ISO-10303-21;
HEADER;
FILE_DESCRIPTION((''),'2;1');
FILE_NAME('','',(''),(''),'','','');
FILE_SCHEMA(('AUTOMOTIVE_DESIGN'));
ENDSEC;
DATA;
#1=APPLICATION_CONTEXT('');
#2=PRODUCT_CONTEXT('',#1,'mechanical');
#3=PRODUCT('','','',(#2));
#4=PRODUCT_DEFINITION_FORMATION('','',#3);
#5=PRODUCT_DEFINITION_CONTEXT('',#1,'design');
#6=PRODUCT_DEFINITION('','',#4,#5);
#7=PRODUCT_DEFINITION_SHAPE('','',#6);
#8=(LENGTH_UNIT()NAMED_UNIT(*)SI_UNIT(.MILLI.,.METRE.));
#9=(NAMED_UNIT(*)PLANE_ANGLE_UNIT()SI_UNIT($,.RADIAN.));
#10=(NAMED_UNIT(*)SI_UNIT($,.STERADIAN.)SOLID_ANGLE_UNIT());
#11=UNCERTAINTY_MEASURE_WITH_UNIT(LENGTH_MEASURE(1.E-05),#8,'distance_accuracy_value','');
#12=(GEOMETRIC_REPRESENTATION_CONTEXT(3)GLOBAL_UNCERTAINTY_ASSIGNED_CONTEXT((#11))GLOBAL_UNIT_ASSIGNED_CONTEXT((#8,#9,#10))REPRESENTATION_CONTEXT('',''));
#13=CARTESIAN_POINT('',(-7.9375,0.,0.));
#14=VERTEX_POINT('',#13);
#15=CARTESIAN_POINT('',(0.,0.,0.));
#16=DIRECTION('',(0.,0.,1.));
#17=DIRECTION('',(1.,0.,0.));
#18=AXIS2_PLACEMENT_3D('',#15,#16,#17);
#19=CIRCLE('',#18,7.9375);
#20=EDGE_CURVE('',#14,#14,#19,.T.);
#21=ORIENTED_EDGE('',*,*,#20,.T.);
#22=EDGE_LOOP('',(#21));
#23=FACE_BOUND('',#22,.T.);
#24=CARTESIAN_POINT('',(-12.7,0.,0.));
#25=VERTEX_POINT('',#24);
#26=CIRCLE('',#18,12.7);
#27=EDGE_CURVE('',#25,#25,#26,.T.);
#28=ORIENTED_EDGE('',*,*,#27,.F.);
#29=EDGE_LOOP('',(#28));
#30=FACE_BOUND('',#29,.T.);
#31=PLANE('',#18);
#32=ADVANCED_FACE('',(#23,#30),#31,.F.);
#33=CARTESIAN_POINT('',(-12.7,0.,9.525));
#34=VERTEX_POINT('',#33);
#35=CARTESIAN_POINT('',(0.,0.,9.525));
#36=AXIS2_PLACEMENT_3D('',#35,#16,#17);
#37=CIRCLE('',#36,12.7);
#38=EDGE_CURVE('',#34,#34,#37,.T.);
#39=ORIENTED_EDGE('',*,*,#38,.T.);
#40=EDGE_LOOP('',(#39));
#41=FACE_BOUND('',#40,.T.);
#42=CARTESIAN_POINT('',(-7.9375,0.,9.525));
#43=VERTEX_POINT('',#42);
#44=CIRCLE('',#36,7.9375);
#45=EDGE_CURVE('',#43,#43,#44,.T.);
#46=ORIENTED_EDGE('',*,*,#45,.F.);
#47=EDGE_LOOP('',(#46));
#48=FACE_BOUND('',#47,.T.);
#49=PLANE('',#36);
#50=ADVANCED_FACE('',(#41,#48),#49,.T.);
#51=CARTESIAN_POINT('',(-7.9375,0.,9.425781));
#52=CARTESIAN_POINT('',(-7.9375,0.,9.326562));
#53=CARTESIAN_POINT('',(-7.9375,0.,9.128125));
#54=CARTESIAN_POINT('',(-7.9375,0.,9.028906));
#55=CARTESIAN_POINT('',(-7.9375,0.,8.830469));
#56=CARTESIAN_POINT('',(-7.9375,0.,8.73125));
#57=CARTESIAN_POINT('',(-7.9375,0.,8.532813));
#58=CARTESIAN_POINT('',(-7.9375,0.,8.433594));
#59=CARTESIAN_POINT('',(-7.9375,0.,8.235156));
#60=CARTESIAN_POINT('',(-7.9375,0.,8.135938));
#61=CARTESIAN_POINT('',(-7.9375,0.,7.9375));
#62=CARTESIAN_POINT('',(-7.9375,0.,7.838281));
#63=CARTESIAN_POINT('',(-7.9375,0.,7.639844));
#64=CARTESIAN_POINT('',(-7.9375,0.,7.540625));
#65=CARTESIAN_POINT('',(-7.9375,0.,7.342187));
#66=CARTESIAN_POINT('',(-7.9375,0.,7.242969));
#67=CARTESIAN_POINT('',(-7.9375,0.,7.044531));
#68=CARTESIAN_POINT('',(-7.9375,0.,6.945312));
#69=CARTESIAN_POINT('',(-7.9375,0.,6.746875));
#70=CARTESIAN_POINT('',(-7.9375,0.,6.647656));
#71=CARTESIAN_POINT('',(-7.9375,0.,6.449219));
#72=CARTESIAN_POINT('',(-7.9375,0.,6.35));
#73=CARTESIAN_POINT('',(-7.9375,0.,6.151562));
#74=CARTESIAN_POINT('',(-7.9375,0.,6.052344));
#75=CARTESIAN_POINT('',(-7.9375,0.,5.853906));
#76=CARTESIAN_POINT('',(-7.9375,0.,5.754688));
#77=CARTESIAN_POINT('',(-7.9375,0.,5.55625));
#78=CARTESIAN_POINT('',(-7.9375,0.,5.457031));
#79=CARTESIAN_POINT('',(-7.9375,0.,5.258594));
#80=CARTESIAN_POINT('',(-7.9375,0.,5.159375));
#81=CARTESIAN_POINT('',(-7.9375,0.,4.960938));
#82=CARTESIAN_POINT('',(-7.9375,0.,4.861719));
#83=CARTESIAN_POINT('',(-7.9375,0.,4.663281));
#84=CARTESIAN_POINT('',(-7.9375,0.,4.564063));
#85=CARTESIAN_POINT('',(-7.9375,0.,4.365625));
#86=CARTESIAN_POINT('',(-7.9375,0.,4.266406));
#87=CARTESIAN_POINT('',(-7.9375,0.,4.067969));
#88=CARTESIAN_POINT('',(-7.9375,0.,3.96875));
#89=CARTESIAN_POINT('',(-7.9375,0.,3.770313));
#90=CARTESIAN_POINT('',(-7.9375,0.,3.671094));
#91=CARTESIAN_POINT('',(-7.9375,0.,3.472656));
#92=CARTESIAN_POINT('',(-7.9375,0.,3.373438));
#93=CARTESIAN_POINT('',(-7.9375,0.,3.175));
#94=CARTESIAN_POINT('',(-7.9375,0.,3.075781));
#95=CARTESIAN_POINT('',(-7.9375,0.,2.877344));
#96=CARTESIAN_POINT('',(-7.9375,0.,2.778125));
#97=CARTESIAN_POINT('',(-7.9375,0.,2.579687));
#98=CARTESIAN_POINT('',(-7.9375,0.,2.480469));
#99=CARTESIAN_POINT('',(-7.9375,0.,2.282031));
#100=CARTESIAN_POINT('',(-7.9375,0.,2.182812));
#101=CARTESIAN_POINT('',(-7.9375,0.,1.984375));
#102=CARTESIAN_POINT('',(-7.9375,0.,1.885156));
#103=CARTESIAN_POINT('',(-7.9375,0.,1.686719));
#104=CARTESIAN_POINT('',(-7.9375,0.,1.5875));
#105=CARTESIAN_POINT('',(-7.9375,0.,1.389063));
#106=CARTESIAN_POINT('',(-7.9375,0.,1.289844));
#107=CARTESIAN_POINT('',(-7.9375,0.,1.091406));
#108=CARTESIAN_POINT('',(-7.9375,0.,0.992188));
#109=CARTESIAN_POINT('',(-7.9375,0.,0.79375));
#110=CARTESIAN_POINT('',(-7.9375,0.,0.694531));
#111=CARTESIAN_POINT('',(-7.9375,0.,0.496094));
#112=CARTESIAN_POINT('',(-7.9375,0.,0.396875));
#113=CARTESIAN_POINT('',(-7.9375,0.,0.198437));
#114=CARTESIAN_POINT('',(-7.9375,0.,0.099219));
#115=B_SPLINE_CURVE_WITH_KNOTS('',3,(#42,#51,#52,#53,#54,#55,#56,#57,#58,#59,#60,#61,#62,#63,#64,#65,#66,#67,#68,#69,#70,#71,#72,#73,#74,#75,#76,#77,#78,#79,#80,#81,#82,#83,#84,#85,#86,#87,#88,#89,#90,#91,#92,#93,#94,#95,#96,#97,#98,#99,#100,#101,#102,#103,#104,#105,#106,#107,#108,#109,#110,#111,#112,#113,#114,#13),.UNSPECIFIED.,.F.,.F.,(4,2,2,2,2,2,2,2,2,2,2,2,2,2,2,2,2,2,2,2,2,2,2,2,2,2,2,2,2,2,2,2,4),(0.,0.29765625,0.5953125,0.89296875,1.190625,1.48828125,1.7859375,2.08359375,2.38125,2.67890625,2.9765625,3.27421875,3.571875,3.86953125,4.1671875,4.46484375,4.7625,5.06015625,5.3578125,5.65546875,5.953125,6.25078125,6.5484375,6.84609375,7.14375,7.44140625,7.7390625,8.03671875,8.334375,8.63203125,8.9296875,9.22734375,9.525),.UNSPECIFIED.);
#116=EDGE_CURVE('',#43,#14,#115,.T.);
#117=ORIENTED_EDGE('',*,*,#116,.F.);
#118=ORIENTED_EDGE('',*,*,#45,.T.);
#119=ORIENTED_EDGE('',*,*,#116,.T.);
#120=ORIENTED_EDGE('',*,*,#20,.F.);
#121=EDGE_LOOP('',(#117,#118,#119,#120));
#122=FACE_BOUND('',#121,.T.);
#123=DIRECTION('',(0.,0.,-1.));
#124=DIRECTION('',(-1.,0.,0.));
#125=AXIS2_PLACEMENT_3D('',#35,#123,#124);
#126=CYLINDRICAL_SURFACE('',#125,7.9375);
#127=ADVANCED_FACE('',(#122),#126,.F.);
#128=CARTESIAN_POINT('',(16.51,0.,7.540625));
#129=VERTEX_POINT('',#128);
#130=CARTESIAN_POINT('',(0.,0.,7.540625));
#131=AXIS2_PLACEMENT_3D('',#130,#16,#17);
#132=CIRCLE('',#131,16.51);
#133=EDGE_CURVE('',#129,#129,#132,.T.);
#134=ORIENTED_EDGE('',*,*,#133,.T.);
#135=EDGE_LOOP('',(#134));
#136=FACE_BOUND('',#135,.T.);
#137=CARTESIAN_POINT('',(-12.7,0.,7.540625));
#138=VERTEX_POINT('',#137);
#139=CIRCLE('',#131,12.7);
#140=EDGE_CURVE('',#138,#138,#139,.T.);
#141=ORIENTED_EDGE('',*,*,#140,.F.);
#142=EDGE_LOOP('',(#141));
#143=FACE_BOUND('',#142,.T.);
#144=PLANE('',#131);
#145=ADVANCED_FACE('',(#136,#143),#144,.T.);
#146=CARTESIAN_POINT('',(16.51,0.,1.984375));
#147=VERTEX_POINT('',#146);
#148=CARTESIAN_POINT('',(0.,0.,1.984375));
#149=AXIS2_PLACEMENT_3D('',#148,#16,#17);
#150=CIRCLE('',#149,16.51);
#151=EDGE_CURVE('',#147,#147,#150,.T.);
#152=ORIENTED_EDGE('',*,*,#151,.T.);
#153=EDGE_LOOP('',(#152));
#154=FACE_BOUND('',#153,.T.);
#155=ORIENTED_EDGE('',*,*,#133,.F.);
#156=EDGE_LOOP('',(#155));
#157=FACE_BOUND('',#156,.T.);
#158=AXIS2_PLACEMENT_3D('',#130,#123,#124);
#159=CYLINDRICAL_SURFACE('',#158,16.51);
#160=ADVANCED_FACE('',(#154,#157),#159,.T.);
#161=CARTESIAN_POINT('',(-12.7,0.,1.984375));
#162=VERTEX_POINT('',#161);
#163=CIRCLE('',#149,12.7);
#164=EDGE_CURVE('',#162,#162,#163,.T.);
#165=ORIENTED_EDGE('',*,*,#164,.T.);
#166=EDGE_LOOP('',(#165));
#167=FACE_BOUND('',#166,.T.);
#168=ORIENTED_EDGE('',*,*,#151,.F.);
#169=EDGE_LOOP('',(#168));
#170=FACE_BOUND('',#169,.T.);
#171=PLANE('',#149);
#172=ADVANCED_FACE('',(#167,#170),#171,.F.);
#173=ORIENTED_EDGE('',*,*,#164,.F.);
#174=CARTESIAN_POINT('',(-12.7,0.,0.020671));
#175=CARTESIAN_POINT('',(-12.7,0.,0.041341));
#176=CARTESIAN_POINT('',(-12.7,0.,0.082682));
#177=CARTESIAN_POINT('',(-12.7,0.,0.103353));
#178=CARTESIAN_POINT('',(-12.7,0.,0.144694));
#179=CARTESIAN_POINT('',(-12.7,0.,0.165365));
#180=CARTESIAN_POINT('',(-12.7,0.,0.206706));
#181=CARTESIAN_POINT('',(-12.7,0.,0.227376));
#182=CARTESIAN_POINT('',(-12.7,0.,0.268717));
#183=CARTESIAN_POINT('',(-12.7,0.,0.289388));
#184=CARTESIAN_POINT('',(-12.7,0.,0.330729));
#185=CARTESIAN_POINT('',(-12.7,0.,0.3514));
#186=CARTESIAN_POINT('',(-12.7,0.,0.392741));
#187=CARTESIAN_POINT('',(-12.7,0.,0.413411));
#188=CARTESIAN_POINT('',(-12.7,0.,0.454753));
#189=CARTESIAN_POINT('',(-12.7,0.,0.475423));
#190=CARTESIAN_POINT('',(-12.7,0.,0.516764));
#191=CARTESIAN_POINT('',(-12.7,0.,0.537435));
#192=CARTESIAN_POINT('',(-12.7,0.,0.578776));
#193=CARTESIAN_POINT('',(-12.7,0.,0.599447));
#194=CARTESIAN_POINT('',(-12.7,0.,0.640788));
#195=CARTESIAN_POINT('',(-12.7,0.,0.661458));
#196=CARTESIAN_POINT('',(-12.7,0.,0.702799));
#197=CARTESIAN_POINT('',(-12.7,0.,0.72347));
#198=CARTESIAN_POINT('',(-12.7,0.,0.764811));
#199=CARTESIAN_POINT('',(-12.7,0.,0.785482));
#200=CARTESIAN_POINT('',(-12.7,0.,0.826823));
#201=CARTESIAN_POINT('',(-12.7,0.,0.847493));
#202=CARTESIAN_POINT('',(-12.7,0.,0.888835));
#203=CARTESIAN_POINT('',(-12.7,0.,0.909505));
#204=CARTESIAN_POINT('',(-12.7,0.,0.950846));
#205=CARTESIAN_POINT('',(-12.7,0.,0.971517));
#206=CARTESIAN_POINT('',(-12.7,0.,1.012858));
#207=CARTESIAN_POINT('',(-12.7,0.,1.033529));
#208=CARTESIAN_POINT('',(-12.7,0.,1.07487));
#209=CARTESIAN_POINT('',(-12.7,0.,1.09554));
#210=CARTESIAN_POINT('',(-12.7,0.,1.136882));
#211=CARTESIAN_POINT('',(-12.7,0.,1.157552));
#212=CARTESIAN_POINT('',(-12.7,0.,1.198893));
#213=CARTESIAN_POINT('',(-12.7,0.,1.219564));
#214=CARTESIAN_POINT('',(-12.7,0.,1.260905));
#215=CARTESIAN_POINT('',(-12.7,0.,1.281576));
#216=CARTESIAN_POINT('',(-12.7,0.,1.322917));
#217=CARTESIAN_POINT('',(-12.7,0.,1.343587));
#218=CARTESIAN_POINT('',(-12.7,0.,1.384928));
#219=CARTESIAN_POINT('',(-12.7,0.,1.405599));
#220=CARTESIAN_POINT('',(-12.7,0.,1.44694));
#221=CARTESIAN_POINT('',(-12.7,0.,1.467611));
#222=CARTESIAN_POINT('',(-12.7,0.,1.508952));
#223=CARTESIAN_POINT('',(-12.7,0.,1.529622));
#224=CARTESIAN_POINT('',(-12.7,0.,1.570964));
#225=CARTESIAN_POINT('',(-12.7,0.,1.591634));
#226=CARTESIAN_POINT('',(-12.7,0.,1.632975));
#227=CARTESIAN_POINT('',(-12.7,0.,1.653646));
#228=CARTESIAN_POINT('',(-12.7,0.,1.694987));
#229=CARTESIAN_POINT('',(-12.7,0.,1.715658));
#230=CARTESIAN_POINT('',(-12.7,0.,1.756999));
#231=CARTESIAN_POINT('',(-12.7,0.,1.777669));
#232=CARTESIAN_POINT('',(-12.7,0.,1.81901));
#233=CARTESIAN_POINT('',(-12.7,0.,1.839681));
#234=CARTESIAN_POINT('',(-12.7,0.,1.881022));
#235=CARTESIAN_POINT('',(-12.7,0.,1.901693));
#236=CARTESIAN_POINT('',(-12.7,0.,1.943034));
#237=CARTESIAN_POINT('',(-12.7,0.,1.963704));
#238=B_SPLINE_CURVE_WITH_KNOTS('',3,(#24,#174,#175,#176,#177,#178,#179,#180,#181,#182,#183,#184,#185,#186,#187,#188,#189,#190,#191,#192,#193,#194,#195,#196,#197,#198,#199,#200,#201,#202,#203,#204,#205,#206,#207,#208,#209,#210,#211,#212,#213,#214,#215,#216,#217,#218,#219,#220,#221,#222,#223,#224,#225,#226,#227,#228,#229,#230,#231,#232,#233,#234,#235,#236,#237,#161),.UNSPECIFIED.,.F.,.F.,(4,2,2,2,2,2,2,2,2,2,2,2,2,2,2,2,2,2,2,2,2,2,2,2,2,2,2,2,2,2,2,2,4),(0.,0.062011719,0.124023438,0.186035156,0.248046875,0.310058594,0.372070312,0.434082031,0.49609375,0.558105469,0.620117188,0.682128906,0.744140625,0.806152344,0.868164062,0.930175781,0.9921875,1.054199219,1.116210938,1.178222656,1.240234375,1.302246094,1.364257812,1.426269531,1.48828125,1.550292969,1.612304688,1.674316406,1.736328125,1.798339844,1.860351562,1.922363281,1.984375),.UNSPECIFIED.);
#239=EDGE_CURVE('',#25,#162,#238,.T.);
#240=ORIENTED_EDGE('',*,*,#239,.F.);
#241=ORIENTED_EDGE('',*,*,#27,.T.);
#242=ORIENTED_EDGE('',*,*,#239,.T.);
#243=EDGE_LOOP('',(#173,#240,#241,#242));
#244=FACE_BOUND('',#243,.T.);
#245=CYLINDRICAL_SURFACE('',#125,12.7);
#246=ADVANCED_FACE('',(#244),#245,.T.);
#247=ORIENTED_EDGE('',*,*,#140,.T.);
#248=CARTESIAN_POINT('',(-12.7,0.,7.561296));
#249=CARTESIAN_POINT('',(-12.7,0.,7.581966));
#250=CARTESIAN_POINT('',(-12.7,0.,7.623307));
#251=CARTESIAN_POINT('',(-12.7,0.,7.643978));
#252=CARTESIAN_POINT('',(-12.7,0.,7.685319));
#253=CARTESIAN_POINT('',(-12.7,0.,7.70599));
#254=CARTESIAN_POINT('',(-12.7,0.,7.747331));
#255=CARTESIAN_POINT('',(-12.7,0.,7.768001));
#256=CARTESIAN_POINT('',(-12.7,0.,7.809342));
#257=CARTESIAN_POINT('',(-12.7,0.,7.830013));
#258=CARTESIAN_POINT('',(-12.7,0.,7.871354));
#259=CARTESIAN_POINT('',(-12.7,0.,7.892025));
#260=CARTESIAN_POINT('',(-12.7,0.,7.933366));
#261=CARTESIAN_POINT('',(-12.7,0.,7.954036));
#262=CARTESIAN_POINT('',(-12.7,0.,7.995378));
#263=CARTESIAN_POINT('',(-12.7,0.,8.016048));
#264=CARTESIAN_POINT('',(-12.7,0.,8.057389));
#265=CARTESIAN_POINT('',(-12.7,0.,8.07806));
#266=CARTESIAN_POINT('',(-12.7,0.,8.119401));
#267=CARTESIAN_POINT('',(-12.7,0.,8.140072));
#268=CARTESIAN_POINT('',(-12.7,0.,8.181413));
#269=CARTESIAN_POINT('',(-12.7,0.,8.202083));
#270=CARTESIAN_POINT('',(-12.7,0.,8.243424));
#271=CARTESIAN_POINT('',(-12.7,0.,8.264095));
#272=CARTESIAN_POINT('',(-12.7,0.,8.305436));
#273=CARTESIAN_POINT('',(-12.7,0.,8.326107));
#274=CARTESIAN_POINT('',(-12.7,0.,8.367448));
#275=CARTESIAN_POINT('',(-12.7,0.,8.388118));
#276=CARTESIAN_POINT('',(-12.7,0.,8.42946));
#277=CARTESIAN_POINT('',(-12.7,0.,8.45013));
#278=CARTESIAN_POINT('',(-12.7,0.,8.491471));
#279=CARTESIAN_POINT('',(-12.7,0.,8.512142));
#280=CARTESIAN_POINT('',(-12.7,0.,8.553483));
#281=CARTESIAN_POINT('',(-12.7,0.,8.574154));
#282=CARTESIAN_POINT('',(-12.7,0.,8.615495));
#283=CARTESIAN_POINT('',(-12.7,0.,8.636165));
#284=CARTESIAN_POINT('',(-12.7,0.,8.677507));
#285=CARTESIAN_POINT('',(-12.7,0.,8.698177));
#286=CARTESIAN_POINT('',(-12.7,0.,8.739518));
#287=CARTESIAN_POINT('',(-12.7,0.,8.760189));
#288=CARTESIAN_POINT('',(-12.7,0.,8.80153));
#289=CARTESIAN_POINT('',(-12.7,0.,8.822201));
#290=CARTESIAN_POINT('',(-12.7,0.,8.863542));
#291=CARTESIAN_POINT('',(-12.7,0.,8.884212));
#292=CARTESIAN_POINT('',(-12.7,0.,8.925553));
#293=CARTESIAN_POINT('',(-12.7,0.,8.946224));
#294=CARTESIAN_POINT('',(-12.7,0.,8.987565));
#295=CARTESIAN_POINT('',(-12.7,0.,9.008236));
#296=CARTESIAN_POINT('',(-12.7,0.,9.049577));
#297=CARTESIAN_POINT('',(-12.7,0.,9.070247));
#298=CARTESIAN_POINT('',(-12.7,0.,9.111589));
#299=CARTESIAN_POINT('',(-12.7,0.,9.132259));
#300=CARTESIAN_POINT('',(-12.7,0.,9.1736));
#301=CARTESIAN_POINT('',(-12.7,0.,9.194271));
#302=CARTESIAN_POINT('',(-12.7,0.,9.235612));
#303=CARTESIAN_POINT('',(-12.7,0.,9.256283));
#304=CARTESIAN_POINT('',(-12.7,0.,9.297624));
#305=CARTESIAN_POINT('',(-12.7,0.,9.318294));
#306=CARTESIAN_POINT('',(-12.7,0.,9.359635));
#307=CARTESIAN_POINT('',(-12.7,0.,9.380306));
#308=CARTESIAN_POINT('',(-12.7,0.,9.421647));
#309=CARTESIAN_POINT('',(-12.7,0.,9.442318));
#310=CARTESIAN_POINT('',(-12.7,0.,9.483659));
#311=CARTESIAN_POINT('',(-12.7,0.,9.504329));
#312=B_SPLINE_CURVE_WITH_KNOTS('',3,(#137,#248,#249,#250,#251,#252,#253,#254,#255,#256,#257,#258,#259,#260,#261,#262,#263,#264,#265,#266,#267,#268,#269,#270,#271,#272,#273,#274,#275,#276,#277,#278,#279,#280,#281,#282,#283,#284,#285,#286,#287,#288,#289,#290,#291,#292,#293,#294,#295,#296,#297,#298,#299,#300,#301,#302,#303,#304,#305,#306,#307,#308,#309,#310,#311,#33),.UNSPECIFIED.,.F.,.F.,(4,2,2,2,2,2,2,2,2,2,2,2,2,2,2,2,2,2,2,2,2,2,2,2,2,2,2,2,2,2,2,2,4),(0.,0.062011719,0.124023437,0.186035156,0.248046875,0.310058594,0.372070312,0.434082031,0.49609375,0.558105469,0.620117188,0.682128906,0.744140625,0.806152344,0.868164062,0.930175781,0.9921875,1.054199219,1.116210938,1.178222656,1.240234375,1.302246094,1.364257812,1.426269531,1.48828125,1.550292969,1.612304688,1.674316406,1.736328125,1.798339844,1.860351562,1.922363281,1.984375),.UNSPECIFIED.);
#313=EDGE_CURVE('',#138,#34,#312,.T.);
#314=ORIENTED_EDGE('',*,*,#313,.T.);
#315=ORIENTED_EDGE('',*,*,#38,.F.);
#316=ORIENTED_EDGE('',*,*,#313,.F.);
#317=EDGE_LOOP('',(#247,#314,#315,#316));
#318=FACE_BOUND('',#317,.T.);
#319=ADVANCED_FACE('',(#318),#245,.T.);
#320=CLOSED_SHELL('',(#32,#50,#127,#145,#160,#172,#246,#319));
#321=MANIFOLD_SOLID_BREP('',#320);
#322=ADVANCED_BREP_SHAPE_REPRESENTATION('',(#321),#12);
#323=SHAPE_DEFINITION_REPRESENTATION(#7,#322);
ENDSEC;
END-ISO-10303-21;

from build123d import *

# Parameters (mm, degrees)
SKETCH1_R           = 12.7
SKETCH1_R_2         = 7.9375
BOSS_EXTRUDE1_DEPTH = 9.525
SKETCH2_R           = 16.51
SKETCH2_R_2         = 7.9375
BOSS_EXTRUDE2_DEPTH = 2.778125


with BuildPart() as part:
    # Sketch1 → Boss-Extrude1 (new body)
    with BuildSketch(Plane.XY):
        with Locations(Location((0, 0, 0), (0, 0, 180))):
            Circle(SKETCH1_R)
        with Locations(Location((0, 0, 0), (0, 0, 180))):
            Circle(SKETCH1_R_2, mode=Mode.SUBTRACT)
    extrude(amount=BOSS_EXTRUDE1_DEPTH)

    # Sketch2 → Boss-Extrude2 (add, symmetric)
    with BuildSketch(Plane.XY.offset(4.7625)):
        Circle(SKETCH2_R)
        with Locations(Location((0, 0, 0), (0, 0, 180))):
            Circle(SKETCH2_R_2, mode=Mode.SUBTRACT)
    extrude(amount=BOSS_EXTRUDE2_DEPTH, both=True)


solid = part.part
